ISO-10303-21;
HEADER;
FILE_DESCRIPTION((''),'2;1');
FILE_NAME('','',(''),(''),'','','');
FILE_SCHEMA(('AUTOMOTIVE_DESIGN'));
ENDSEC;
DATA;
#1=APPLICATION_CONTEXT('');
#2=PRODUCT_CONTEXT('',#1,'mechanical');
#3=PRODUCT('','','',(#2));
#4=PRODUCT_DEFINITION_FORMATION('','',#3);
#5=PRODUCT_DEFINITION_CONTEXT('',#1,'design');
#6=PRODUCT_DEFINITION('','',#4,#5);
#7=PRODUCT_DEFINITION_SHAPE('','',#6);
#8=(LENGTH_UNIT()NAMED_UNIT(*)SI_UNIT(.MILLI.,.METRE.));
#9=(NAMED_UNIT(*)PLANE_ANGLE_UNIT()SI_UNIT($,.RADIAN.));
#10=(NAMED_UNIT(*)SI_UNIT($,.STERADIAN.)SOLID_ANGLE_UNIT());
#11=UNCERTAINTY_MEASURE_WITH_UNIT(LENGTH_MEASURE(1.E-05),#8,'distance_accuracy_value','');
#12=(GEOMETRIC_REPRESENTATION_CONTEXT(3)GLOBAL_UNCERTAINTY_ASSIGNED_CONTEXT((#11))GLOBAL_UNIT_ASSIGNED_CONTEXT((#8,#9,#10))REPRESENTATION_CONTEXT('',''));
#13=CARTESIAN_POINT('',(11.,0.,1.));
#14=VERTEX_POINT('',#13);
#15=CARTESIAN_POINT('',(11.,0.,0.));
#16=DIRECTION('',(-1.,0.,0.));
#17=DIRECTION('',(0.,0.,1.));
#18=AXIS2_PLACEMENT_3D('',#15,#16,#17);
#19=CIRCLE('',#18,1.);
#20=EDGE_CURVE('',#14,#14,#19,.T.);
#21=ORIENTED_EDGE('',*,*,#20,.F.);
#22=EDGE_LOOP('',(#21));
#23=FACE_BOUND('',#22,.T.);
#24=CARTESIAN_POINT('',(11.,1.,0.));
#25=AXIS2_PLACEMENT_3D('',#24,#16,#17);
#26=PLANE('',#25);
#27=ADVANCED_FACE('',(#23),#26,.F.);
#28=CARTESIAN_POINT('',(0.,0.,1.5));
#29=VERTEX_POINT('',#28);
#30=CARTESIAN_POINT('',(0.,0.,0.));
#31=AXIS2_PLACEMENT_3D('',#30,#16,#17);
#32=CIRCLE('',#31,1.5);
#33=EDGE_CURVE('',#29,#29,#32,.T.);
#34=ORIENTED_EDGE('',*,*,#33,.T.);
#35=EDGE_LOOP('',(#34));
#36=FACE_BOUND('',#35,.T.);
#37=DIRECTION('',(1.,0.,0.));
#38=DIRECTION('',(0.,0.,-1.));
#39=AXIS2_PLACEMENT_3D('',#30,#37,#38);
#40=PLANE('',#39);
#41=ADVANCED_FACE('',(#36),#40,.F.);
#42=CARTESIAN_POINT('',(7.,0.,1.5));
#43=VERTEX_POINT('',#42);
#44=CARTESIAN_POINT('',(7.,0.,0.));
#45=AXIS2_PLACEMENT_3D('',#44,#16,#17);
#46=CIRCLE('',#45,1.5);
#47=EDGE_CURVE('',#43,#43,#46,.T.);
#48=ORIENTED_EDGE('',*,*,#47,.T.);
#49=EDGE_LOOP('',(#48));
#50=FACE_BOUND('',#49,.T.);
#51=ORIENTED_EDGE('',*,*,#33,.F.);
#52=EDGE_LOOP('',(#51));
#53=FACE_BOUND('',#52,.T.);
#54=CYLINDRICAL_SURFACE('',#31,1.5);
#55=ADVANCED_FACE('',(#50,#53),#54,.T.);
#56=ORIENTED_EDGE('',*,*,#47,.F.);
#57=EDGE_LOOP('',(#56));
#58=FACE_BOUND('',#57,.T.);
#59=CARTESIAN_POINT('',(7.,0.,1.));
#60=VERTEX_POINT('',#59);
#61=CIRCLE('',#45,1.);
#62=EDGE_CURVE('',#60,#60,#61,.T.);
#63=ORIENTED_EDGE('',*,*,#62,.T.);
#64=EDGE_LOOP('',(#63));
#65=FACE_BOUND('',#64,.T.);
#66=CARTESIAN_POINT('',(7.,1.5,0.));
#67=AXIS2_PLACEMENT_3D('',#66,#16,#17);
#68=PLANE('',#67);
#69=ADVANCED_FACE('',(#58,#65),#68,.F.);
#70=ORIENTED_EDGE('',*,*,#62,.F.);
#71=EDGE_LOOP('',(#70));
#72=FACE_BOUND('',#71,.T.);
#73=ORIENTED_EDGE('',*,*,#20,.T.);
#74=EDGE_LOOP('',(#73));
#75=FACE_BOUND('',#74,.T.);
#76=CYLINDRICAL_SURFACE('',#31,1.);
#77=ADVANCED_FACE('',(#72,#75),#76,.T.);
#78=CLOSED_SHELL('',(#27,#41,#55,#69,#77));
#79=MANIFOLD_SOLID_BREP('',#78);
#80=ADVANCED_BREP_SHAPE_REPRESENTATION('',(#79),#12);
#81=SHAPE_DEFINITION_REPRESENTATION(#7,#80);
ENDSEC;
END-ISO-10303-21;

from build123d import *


with BuildPart() as part:
    # Sketch1 → Revolve1 (revolve)
    with BuildSketch(Plane.XY):
        Polygon((0, 0), (0, 1.5), (7, 1.5), (7, 1), (11, 1), (11, 0), align=None)
    revolve(axis=Axis((0, 0, 0), (1, 0, 0)))


solid = part.part
